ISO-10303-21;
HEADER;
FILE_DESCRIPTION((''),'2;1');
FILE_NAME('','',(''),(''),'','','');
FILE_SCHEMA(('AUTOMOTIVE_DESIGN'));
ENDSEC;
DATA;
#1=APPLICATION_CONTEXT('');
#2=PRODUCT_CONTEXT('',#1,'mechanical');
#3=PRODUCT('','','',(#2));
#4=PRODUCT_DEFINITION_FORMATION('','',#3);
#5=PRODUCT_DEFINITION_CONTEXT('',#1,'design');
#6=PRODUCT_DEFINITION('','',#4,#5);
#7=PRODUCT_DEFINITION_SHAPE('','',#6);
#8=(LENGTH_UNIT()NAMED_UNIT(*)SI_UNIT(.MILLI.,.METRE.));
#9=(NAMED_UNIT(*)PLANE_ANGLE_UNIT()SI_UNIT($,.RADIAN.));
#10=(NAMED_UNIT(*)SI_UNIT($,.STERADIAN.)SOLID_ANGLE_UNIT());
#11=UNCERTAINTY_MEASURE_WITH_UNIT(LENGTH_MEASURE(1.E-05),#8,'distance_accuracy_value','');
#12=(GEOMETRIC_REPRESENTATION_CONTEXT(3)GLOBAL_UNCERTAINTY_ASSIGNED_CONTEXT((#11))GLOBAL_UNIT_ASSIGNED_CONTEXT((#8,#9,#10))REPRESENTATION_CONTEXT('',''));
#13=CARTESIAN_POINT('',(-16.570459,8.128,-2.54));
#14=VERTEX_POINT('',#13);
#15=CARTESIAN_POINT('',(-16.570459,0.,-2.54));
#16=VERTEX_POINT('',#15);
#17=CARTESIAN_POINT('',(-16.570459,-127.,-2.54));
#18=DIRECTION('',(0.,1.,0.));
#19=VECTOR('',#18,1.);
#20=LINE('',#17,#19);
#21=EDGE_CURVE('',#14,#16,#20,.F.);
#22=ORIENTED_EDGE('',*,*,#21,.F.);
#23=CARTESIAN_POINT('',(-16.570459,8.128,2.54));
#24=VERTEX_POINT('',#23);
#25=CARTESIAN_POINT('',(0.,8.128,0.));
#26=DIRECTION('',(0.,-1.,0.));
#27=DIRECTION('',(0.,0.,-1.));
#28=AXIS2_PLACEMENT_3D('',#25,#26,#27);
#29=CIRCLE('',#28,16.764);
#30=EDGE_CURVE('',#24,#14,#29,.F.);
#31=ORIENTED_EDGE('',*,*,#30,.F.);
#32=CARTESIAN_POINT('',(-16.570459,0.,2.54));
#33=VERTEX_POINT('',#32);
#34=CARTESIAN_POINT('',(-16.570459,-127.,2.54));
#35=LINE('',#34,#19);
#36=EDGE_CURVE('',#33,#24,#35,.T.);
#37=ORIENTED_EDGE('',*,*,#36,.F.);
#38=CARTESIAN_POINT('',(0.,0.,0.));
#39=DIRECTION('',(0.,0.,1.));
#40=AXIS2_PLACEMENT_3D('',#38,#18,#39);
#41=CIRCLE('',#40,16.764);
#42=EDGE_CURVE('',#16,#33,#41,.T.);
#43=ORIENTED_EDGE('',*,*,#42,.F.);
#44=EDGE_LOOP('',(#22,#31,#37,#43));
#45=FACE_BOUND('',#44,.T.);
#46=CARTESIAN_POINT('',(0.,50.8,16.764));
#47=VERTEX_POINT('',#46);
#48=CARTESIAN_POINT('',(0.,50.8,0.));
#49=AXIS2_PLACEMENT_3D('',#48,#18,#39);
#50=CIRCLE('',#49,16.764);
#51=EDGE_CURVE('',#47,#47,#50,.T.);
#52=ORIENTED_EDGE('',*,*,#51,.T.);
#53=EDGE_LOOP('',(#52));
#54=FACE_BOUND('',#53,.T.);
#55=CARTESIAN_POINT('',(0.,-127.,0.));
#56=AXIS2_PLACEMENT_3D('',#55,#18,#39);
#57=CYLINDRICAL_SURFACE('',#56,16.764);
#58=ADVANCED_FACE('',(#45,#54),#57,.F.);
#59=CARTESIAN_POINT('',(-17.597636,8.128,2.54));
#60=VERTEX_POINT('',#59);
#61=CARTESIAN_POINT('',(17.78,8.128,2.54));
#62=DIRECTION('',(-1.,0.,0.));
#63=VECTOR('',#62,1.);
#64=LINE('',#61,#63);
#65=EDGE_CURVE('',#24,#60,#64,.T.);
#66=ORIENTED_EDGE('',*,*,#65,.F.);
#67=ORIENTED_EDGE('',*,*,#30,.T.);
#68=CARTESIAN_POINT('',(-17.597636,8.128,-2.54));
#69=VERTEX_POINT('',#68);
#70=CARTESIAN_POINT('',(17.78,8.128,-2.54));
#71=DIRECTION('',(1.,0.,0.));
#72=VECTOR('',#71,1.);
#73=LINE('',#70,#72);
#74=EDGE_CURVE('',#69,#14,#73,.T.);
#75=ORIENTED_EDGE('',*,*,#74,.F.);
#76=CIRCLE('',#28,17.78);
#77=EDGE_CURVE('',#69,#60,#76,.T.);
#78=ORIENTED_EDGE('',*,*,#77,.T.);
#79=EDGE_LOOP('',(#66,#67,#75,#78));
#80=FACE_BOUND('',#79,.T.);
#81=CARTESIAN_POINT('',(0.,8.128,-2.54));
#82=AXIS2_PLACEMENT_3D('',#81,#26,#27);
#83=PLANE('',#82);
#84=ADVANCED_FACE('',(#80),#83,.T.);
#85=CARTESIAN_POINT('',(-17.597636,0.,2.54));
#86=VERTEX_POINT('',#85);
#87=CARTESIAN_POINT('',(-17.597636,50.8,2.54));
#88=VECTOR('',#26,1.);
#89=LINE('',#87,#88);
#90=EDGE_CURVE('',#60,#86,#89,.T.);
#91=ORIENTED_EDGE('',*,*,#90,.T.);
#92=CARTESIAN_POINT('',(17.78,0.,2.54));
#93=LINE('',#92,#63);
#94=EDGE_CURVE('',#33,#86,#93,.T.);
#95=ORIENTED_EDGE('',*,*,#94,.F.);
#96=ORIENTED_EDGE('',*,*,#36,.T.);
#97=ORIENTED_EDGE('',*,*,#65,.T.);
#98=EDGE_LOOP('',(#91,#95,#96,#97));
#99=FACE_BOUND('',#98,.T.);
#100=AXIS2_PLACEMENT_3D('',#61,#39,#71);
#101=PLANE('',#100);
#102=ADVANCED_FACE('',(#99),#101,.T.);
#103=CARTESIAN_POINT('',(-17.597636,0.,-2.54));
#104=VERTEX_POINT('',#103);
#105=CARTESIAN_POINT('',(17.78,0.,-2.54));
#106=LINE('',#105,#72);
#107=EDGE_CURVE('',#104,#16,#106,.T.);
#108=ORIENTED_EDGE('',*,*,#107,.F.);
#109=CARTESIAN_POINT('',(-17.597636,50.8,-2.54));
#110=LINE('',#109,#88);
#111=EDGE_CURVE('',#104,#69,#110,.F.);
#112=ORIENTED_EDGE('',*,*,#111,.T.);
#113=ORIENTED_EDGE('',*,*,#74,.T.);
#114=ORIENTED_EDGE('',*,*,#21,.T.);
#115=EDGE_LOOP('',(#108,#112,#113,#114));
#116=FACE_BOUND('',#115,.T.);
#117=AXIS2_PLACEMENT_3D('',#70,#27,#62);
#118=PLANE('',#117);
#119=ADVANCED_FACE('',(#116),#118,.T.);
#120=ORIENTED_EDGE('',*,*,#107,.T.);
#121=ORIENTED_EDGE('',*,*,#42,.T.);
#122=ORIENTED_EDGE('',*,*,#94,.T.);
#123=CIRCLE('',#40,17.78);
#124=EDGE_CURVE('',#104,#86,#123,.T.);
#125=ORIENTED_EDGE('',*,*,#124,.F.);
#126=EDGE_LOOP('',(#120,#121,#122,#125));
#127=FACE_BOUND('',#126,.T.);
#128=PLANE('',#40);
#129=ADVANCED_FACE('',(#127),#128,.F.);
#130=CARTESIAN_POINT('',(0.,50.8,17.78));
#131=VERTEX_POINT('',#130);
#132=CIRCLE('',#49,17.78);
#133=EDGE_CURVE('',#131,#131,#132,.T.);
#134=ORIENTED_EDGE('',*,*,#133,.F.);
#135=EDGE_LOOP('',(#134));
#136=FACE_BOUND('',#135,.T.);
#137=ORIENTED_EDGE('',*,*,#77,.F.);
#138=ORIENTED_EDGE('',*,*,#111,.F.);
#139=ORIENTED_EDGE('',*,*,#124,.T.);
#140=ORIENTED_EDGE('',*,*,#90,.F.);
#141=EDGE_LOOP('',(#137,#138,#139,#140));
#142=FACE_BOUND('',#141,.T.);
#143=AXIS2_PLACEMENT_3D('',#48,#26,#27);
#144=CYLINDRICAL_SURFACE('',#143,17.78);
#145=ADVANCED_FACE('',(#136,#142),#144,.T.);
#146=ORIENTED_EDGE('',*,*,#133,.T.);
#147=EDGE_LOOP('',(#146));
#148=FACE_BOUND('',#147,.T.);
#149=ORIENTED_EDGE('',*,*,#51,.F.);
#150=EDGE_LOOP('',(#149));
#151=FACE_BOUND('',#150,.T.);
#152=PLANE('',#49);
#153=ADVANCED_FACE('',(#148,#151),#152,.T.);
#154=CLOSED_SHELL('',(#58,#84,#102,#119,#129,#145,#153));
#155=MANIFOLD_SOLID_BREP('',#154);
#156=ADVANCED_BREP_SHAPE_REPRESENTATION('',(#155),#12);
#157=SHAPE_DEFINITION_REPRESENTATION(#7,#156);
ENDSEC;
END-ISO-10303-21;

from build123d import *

# Parameters (mm, degrees)
SKETCH1_R               = 17.78
BOSS_EXTRUDE1_DEPTH     = 50.8
SKETCH2_R               = 16.764
CUT_EXTRUDE1_DEPTH      = 177.8
CUT_EXTRUDE3_DEPTH      = 8.128
CUT_EXTRUDE5_DEPTH      = 8.128
CUT_EXTRUDE6_DEPTH      = 57.682420555
CUT_EXTRUDE6_DEPTH_BACK = 57.682420555
SKETCH8_W               = 2.16473232
SKETCH8_H               = 8.128


with BuildPart() as part:
    # Sketch1 → Boss-Extrude1 (new body)
    with BuildSketch(Plane(origin=(0, 0, 0), x_dir=(1, 0, 0), z_dir=(0, 1, 0))):
        with Locations(Location((0, 0, 0), (0, 0, 270))):
            Circle(SKETCH1_R)
    extrude(amount=BOSS_EXTRUDE1_DEPTH)

    # Sketch2 → Cut-Extrude1 (cut)
    with BuildSketch(Plane(origin=(0, 50.8, 0), x_dir=(1, 0, 0), z_dir=(0, 1, 0))):
        with Locations(Location((0, 0, 0), (0, 0, 270))):
            Circle(SKETCH2_R)
    extrude(amount=-CUT_EXTRUDE1_DEPTH, mode=Mode.SUBTRACT)

    # Sketch5 → Cut-Extrude3 (cut)
    with BuildSketch(Plane(origin=(0, 0, 0), x_dir=(1, 0, 0), z_dir=(0, 1, 0))):
        with BuildLine():
            Line((17.78, 2.54), (-17.78, 2.54))
            ThreePointArc((-17.78, 2.54), (0, 20.32), (17.78, 2.54))
        make_face()
    extrude(amount=CUT_EXTRUDE3_DEPTH, mode=Mode.SUBTRACT)

    # Sketch6 → Cut-Extrude5 (cut)
    with BuildSketch(Plane(origin=(0, 0, 0), x_dir=(1, 0, 0), z_dir=(0, 1, 0))):
        with BuildLine():
            Line((17.78, -2.54), (-17.78, -2.54))
            ThreePointArc((-17.78, -2.54), (0, -18.882130931), (17.78, -2.54))
        make_face()
    extrude(amount=CUT_EXTRUDE5_DEPTH, mode=Mode.SUBTRACT)

    # Sketch8 → Cut-Extrude6 (cut, two sides: drawn at the far end of the back side and taken through both)
    with BuildSketch(Plane.XY.offset(-CUT_EXTRUDE6_DEPTH_BACK)):
        with Locations((17.267156574, 4.064)):
            Rectangle(SKETCH8_W, SKETCH8_H)
    extrude(amount=CUT_EXTRUDE6_DEPTH + CUT_EXTRUDE6_DEPTH_BACK, mode=Mode.SUBTRACT)


solid = part.part
